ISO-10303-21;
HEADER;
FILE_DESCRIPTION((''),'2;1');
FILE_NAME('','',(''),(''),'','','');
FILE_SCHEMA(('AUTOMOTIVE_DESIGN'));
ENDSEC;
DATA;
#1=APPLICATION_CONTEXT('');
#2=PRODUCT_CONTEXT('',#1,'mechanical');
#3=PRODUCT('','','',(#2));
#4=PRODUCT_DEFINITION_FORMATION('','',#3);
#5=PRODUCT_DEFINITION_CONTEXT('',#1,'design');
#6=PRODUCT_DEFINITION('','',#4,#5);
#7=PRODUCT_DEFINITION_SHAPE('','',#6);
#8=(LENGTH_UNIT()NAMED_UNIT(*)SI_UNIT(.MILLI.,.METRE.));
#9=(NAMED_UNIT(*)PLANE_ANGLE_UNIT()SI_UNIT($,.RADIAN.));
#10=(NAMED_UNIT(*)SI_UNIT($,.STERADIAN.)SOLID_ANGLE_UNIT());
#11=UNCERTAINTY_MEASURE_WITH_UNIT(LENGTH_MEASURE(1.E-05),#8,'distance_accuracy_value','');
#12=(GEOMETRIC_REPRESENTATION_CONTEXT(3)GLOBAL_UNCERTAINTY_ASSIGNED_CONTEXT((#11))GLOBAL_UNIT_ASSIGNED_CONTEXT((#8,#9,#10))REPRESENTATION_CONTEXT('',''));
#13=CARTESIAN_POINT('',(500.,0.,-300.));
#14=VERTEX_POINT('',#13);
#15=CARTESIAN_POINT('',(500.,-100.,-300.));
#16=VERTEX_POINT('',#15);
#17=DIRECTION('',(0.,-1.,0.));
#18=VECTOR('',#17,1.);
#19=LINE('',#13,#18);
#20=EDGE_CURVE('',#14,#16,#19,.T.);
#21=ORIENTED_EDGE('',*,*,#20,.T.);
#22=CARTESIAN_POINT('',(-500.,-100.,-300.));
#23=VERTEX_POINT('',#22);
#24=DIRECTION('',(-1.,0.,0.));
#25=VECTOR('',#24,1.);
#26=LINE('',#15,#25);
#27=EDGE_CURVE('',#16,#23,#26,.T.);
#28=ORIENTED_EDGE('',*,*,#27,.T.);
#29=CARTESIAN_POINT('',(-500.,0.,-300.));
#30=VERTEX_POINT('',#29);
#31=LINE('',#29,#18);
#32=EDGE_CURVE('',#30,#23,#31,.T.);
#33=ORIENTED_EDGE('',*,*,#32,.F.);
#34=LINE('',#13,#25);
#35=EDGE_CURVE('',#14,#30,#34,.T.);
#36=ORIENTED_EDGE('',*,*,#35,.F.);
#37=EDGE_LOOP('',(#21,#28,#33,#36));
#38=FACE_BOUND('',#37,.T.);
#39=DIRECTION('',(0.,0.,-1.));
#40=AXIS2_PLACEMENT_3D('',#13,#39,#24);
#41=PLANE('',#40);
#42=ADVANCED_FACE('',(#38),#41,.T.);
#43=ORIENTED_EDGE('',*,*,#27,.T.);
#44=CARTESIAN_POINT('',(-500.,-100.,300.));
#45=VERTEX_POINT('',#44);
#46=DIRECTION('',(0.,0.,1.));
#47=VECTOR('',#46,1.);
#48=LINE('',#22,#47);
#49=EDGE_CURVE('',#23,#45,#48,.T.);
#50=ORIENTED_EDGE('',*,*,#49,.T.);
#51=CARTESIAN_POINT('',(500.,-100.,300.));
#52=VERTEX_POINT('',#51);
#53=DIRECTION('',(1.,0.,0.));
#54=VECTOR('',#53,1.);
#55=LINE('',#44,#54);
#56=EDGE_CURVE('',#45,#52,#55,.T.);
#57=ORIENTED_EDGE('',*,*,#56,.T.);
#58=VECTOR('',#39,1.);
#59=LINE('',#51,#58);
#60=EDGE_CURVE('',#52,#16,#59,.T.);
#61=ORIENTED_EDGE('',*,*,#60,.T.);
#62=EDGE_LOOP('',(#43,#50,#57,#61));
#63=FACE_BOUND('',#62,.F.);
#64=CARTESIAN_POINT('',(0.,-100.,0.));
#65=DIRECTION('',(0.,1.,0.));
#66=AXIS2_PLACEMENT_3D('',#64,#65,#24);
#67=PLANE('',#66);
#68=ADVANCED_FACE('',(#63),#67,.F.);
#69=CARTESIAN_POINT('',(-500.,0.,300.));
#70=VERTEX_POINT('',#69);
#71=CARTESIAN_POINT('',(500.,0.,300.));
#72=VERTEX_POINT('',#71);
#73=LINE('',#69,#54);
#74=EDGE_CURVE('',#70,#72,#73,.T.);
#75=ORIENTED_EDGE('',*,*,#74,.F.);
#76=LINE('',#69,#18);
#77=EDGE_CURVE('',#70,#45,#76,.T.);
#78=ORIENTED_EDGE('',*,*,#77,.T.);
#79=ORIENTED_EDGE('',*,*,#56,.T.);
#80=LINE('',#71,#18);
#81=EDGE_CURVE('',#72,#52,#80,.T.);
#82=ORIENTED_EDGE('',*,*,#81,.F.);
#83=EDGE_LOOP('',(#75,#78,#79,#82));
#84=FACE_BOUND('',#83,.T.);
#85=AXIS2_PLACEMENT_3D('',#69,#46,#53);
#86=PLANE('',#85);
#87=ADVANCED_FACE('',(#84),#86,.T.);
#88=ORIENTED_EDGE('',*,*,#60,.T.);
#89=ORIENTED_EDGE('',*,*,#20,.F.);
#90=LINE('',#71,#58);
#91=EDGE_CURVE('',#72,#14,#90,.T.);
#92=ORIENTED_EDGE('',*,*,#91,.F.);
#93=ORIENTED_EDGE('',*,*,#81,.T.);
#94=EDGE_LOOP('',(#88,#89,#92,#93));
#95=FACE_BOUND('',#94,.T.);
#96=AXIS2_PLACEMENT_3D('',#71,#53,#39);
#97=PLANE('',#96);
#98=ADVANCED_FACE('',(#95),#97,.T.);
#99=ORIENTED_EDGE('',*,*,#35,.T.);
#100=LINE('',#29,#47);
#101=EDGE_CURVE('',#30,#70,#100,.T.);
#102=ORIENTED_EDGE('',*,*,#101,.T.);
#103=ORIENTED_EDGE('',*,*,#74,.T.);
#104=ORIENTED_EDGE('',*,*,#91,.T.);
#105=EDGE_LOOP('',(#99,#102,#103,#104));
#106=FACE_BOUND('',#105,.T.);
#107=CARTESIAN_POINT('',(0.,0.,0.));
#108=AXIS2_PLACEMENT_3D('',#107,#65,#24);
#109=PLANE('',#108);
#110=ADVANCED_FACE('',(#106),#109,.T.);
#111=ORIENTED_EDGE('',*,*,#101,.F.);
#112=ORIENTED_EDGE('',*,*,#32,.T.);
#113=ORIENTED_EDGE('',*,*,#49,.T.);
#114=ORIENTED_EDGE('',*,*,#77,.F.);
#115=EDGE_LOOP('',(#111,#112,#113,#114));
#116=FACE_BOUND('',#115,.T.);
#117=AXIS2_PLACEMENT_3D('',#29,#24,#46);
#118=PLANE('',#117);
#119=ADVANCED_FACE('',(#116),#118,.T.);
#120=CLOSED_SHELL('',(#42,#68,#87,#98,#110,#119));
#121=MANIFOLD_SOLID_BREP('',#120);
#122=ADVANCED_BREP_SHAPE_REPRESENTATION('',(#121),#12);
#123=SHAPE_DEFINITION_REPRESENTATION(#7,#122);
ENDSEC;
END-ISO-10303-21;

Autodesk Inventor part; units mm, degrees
ref_plane "YZ Plane" through (0, 0, 0) normal (1, 0, 0) x (0, 1, 0)
ref_plane "XZ Plane" through (0, 0, 0) normal (0, 1, 0) x (-1, 0, 0)
ref_plane "XY Plane" through (0, 0, 0) normal (0, 0, 1) x (1, 0, 0)
sketch "Sketch1" plane through (0, 0, 0) normal (0, 1, 0) x (-1, 0, 0)
  line L0 (-500, -300) -> (500, -300)
  line L1 (500, -300) -> (500, 300)
  line L2 (500, 300) -> (-500, 300)
  line L3 (-500, 300) -> (-500, -300)
  line L4 (-500, -300) -> (500, 300) construction
  line L5 (500, -300) -> (-500, 300) construction
  point P0 (0, 0)
  dimension "d0" = 1000
  dimension "d1" = 600
extrude "Extrusion1" add sketch "Sketch1" against normal blind 100
properties part number "ceiling"
